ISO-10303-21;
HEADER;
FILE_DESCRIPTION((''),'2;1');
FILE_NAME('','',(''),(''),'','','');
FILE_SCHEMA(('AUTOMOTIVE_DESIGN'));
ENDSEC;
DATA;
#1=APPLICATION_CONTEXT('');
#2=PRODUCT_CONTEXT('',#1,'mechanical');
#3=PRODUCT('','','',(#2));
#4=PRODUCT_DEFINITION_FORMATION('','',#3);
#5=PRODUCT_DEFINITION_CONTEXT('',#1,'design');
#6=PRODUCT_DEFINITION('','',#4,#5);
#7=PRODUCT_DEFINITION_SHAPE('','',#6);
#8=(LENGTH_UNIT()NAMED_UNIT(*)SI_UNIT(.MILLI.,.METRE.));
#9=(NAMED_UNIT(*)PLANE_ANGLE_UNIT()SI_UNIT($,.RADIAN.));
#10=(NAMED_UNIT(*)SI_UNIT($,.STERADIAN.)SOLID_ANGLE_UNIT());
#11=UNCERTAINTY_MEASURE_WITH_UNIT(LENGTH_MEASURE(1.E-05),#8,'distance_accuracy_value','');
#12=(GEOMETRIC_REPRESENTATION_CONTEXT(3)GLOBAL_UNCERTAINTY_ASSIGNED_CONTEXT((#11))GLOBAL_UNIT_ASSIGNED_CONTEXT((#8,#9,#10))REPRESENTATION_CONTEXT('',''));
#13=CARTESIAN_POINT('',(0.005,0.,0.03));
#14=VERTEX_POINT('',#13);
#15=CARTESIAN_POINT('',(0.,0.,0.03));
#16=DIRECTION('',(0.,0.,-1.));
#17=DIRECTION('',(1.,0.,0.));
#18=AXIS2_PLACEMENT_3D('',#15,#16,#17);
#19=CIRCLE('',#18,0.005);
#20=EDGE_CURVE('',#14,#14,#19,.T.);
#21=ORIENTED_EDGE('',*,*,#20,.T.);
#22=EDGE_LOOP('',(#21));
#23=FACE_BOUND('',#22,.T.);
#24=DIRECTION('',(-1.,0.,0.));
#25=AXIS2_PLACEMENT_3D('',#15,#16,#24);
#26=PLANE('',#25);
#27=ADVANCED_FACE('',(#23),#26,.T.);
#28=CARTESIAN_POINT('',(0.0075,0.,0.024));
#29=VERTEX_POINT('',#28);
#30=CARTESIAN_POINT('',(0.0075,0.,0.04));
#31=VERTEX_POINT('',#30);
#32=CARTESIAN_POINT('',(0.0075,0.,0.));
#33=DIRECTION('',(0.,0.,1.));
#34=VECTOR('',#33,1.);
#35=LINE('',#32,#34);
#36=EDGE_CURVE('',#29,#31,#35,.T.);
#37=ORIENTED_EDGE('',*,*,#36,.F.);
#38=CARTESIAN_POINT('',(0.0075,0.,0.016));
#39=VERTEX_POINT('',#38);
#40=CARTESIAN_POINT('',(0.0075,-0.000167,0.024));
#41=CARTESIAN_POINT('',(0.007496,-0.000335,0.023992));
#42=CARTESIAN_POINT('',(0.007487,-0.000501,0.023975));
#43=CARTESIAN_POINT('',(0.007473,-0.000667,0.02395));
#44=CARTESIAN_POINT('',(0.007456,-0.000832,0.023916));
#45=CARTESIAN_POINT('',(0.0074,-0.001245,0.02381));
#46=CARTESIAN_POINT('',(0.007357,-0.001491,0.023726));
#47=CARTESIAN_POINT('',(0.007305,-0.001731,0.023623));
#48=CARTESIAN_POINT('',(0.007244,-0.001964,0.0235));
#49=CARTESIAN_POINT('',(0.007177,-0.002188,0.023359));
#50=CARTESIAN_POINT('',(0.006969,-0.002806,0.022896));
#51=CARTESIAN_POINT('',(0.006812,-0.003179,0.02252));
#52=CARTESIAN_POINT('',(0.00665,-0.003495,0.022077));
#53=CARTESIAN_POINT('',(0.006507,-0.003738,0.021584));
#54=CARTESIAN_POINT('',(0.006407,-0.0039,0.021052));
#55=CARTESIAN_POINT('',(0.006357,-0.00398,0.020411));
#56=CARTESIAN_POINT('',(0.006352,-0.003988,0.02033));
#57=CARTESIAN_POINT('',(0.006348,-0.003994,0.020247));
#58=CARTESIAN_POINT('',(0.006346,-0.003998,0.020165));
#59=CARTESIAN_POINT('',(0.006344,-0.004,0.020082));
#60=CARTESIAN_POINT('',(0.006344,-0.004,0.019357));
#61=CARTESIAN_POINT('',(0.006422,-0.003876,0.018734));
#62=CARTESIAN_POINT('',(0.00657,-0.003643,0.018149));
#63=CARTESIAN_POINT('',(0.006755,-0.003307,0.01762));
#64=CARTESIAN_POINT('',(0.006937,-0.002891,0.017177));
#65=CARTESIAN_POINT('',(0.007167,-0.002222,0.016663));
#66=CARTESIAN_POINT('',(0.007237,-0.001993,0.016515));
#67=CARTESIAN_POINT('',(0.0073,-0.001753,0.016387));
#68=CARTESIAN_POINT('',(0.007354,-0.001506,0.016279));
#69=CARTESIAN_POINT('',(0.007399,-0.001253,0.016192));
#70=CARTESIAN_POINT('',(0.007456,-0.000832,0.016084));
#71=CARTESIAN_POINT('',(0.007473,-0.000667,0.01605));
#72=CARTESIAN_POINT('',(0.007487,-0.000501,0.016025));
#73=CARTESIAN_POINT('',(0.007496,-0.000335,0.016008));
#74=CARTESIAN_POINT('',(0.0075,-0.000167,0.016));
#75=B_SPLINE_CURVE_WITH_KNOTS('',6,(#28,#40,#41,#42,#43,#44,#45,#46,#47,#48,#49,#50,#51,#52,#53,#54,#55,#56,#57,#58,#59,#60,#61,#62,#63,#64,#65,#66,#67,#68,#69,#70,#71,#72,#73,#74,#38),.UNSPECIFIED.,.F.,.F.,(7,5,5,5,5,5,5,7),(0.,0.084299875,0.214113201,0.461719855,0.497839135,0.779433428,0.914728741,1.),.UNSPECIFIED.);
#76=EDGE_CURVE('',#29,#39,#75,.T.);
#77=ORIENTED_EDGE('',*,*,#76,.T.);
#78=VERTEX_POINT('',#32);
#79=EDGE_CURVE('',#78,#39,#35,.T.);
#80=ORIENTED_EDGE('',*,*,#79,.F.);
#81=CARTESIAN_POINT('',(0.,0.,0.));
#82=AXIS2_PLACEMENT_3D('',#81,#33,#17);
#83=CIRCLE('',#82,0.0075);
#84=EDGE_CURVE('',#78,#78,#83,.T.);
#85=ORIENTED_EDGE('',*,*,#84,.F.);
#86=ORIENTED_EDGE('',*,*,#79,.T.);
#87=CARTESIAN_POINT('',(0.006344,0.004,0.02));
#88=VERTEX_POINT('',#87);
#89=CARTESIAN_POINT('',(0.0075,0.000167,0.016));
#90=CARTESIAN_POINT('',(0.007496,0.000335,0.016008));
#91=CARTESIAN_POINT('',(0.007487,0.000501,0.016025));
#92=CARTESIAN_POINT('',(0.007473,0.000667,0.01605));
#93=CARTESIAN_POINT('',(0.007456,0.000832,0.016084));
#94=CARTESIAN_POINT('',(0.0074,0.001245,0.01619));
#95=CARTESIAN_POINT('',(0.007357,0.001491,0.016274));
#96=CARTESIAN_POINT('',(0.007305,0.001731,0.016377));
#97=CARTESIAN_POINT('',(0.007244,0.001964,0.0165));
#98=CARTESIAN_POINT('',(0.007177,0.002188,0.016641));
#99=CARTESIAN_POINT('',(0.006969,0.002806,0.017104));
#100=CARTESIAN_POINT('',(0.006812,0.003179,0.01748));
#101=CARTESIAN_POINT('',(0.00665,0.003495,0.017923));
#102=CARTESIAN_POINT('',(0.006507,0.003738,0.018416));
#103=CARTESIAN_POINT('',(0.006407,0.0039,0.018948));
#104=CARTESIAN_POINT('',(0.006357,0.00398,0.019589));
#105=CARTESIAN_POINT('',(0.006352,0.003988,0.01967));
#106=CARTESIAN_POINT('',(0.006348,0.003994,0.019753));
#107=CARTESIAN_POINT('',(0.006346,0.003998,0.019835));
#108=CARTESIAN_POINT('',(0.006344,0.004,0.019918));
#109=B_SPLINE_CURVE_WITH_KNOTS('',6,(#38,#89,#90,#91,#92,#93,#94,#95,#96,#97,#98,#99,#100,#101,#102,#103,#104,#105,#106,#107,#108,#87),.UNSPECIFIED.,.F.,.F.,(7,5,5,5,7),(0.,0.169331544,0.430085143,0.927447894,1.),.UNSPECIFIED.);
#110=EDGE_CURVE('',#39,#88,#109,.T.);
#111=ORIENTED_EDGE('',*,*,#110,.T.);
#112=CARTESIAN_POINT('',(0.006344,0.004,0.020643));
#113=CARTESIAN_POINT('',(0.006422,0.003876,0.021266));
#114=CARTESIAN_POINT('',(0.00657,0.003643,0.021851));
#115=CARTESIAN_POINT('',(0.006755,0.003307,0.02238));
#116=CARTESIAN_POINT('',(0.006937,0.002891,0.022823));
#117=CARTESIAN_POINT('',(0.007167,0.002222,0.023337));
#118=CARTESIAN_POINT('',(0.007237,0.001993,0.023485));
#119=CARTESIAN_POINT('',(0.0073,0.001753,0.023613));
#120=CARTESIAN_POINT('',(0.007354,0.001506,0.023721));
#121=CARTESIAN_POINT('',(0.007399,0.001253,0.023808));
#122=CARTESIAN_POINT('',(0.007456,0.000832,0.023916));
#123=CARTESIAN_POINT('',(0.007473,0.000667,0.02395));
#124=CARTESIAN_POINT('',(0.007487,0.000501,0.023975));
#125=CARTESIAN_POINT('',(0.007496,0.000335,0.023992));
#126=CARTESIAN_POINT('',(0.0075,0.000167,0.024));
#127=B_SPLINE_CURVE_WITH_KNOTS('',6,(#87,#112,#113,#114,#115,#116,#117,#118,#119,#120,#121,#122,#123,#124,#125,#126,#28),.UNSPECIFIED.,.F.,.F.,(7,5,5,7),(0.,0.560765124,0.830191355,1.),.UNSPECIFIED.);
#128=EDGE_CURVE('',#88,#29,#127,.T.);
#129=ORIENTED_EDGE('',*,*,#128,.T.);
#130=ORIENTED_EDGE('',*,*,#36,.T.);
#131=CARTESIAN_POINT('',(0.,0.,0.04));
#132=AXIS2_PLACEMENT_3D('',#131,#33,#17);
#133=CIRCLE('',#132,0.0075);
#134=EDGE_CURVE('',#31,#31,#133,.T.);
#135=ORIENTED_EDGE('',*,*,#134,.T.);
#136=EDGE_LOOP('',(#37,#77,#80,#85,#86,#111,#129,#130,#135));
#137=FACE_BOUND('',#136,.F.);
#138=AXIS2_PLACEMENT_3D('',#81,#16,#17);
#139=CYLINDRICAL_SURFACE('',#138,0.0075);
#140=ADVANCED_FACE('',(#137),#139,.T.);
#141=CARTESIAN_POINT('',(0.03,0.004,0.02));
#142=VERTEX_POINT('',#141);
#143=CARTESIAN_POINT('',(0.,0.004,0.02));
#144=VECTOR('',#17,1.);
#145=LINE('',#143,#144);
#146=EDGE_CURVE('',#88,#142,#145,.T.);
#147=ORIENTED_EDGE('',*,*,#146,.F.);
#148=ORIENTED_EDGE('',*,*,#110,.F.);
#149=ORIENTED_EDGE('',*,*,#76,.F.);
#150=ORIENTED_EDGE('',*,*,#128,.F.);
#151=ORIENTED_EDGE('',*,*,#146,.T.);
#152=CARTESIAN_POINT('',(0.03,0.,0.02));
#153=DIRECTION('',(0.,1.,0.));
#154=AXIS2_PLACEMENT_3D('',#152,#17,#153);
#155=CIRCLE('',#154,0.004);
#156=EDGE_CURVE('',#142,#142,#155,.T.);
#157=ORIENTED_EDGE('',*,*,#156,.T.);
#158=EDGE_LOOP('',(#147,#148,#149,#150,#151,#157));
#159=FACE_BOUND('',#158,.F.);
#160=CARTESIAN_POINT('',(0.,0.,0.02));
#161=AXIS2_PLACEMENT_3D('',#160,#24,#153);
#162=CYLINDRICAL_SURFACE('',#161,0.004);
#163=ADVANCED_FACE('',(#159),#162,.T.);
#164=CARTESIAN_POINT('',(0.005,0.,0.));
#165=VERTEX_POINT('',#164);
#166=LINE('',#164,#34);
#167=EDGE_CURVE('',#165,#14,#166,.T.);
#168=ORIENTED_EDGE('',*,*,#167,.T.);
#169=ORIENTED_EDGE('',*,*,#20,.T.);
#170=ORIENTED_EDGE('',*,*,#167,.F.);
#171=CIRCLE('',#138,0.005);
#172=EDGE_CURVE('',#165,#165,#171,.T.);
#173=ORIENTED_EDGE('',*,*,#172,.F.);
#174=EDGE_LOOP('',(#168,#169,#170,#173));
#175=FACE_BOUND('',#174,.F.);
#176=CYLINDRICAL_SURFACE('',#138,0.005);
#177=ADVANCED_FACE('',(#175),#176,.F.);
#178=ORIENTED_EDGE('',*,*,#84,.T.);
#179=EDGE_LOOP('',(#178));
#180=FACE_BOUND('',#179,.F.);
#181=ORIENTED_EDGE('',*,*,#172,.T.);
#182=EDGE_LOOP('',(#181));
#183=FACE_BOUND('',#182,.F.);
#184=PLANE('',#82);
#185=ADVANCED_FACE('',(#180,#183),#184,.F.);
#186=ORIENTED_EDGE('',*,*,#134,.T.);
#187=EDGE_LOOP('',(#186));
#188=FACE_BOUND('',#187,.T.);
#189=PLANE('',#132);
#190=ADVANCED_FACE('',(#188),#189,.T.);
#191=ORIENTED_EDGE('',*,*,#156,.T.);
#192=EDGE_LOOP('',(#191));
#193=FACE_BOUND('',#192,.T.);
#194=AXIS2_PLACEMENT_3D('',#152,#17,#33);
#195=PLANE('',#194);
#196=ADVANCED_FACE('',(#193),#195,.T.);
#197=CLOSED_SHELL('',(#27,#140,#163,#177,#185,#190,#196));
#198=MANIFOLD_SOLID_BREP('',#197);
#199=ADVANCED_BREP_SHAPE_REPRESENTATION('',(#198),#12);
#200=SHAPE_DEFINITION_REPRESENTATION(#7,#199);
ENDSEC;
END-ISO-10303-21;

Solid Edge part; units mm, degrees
sketch "Sketch1" plane through (0, 0, 0) normal (0, 0, 1) x (1, 0, 0)
  circle A0 centre (0, 0) radius 0.0075
  dimension "D1" = 0.015
extrude "Protrusion1" add sketch "Sketch1" along normal blind 0.04
sketch "Sketch2" plane through (0, 0, 0) normal (1, 0, 0) x (0, 1, 0)
  circle A0 centre (0, 0.02) radius 0.004
  dimension "D1" = 0.02
  dimension "D2" = 0.008
extrude "Ausprägung_2" add sketch "Sketch2" along normal blind 0.03
sketch "Sketch3" plane through (0, 0, 0) normal (0, 0, -1) x (1, 0, 0)
  circle A0 centre (0, 0) radius 0.005
  dimension "D1" = 0.01
extrude "Ausschnitt_1" cut sketch "Sketch3" against normal blind 0.03
